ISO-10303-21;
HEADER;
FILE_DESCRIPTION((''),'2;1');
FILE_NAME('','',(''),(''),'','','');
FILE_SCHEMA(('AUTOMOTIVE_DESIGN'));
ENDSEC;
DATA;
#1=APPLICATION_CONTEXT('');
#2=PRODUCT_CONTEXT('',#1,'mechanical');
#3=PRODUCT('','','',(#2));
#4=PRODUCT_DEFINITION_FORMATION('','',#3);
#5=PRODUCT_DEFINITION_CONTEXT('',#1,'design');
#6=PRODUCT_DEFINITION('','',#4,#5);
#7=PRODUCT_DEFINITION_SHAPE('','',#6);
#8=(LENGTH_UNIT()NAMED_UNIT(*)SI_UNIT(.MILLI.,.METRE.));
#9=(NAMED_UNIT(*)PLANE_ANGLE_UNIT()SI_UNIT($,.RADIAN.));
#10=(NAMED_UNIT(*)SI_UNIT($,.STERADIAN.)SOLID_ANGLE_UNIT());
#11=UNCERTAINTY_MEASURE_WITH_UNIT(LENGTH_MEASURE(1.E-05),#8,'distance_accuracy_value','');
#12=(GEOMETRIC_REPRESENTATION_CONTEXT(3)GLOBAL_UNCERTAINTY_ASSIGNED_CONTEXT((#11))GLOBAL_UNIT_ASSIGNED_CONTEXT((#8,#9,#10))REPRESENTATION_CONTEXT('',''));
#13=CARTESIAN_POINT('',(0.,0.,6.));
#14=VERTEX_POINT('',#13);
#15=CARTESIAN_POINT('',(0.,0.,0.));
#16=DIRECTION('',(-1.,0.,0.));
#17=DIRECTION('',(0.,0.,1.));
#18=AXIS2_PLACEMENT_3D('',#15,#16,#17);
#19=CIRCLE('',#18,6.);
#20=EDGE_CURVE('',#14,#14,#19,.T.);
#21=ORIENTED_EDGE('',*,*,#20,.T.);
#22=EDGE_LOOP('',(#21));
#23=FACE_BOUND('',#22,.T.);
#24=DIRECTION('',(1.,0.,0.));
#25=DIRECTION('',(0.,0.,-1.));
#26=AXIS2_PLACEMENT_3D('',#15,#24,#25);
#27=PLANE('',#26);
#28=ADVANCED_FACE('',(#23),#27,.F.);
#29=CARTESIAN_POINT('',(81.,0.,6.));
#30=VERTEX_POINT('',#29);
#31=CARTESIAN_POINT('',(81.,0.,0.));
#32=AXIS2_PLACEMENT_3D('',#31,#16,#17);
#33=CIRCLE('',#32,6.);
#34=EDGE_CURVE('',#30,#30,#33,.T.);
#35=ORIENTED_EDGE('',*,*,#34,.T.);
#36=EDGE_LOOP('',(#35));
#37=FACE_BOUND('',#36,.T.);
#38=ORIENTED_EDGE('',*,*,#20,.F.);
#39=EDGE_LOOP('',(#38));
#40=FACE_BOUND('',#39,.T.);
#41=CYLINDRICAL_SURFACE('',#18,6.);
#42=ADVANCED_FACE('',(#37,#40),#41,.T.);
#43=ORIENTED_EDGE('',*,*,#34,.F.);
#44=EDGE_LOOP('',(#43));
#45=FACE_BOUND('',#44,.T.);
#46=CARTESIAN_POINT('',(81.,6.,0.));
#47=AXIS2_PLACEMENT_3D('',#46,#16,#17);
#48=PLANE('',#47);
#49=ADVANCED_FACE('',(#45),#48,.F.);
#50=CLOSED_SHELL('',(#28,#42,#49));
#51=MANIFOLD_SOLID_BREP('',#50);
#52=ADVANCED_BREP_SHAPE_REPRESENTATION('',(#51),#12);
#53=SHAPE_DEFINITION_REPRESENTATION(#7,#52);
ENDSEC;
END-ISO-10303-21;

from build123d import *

# Parameters (mm, degrees)
SKETCH_1_W = 81
SKETCH_1_H = 6


with BuildPart() as part:
    # 草图1 → 旋转1 (revolve)
    with BuildSketch(Plane.XY, mode=Mode.PRIVATE) as revolve_1_sk:
        with Locations((40.5, 3)):
            Rectangle(SKETCH_1_W, SKETCH_1_H)
    revolve(revolve_1_sk.sketch.rotate(Axis((0, 0, 0), (1, 0, 0)), 90), axis=Axis((0, 0, 0), (1, 0, 0)))


solid = part.part
